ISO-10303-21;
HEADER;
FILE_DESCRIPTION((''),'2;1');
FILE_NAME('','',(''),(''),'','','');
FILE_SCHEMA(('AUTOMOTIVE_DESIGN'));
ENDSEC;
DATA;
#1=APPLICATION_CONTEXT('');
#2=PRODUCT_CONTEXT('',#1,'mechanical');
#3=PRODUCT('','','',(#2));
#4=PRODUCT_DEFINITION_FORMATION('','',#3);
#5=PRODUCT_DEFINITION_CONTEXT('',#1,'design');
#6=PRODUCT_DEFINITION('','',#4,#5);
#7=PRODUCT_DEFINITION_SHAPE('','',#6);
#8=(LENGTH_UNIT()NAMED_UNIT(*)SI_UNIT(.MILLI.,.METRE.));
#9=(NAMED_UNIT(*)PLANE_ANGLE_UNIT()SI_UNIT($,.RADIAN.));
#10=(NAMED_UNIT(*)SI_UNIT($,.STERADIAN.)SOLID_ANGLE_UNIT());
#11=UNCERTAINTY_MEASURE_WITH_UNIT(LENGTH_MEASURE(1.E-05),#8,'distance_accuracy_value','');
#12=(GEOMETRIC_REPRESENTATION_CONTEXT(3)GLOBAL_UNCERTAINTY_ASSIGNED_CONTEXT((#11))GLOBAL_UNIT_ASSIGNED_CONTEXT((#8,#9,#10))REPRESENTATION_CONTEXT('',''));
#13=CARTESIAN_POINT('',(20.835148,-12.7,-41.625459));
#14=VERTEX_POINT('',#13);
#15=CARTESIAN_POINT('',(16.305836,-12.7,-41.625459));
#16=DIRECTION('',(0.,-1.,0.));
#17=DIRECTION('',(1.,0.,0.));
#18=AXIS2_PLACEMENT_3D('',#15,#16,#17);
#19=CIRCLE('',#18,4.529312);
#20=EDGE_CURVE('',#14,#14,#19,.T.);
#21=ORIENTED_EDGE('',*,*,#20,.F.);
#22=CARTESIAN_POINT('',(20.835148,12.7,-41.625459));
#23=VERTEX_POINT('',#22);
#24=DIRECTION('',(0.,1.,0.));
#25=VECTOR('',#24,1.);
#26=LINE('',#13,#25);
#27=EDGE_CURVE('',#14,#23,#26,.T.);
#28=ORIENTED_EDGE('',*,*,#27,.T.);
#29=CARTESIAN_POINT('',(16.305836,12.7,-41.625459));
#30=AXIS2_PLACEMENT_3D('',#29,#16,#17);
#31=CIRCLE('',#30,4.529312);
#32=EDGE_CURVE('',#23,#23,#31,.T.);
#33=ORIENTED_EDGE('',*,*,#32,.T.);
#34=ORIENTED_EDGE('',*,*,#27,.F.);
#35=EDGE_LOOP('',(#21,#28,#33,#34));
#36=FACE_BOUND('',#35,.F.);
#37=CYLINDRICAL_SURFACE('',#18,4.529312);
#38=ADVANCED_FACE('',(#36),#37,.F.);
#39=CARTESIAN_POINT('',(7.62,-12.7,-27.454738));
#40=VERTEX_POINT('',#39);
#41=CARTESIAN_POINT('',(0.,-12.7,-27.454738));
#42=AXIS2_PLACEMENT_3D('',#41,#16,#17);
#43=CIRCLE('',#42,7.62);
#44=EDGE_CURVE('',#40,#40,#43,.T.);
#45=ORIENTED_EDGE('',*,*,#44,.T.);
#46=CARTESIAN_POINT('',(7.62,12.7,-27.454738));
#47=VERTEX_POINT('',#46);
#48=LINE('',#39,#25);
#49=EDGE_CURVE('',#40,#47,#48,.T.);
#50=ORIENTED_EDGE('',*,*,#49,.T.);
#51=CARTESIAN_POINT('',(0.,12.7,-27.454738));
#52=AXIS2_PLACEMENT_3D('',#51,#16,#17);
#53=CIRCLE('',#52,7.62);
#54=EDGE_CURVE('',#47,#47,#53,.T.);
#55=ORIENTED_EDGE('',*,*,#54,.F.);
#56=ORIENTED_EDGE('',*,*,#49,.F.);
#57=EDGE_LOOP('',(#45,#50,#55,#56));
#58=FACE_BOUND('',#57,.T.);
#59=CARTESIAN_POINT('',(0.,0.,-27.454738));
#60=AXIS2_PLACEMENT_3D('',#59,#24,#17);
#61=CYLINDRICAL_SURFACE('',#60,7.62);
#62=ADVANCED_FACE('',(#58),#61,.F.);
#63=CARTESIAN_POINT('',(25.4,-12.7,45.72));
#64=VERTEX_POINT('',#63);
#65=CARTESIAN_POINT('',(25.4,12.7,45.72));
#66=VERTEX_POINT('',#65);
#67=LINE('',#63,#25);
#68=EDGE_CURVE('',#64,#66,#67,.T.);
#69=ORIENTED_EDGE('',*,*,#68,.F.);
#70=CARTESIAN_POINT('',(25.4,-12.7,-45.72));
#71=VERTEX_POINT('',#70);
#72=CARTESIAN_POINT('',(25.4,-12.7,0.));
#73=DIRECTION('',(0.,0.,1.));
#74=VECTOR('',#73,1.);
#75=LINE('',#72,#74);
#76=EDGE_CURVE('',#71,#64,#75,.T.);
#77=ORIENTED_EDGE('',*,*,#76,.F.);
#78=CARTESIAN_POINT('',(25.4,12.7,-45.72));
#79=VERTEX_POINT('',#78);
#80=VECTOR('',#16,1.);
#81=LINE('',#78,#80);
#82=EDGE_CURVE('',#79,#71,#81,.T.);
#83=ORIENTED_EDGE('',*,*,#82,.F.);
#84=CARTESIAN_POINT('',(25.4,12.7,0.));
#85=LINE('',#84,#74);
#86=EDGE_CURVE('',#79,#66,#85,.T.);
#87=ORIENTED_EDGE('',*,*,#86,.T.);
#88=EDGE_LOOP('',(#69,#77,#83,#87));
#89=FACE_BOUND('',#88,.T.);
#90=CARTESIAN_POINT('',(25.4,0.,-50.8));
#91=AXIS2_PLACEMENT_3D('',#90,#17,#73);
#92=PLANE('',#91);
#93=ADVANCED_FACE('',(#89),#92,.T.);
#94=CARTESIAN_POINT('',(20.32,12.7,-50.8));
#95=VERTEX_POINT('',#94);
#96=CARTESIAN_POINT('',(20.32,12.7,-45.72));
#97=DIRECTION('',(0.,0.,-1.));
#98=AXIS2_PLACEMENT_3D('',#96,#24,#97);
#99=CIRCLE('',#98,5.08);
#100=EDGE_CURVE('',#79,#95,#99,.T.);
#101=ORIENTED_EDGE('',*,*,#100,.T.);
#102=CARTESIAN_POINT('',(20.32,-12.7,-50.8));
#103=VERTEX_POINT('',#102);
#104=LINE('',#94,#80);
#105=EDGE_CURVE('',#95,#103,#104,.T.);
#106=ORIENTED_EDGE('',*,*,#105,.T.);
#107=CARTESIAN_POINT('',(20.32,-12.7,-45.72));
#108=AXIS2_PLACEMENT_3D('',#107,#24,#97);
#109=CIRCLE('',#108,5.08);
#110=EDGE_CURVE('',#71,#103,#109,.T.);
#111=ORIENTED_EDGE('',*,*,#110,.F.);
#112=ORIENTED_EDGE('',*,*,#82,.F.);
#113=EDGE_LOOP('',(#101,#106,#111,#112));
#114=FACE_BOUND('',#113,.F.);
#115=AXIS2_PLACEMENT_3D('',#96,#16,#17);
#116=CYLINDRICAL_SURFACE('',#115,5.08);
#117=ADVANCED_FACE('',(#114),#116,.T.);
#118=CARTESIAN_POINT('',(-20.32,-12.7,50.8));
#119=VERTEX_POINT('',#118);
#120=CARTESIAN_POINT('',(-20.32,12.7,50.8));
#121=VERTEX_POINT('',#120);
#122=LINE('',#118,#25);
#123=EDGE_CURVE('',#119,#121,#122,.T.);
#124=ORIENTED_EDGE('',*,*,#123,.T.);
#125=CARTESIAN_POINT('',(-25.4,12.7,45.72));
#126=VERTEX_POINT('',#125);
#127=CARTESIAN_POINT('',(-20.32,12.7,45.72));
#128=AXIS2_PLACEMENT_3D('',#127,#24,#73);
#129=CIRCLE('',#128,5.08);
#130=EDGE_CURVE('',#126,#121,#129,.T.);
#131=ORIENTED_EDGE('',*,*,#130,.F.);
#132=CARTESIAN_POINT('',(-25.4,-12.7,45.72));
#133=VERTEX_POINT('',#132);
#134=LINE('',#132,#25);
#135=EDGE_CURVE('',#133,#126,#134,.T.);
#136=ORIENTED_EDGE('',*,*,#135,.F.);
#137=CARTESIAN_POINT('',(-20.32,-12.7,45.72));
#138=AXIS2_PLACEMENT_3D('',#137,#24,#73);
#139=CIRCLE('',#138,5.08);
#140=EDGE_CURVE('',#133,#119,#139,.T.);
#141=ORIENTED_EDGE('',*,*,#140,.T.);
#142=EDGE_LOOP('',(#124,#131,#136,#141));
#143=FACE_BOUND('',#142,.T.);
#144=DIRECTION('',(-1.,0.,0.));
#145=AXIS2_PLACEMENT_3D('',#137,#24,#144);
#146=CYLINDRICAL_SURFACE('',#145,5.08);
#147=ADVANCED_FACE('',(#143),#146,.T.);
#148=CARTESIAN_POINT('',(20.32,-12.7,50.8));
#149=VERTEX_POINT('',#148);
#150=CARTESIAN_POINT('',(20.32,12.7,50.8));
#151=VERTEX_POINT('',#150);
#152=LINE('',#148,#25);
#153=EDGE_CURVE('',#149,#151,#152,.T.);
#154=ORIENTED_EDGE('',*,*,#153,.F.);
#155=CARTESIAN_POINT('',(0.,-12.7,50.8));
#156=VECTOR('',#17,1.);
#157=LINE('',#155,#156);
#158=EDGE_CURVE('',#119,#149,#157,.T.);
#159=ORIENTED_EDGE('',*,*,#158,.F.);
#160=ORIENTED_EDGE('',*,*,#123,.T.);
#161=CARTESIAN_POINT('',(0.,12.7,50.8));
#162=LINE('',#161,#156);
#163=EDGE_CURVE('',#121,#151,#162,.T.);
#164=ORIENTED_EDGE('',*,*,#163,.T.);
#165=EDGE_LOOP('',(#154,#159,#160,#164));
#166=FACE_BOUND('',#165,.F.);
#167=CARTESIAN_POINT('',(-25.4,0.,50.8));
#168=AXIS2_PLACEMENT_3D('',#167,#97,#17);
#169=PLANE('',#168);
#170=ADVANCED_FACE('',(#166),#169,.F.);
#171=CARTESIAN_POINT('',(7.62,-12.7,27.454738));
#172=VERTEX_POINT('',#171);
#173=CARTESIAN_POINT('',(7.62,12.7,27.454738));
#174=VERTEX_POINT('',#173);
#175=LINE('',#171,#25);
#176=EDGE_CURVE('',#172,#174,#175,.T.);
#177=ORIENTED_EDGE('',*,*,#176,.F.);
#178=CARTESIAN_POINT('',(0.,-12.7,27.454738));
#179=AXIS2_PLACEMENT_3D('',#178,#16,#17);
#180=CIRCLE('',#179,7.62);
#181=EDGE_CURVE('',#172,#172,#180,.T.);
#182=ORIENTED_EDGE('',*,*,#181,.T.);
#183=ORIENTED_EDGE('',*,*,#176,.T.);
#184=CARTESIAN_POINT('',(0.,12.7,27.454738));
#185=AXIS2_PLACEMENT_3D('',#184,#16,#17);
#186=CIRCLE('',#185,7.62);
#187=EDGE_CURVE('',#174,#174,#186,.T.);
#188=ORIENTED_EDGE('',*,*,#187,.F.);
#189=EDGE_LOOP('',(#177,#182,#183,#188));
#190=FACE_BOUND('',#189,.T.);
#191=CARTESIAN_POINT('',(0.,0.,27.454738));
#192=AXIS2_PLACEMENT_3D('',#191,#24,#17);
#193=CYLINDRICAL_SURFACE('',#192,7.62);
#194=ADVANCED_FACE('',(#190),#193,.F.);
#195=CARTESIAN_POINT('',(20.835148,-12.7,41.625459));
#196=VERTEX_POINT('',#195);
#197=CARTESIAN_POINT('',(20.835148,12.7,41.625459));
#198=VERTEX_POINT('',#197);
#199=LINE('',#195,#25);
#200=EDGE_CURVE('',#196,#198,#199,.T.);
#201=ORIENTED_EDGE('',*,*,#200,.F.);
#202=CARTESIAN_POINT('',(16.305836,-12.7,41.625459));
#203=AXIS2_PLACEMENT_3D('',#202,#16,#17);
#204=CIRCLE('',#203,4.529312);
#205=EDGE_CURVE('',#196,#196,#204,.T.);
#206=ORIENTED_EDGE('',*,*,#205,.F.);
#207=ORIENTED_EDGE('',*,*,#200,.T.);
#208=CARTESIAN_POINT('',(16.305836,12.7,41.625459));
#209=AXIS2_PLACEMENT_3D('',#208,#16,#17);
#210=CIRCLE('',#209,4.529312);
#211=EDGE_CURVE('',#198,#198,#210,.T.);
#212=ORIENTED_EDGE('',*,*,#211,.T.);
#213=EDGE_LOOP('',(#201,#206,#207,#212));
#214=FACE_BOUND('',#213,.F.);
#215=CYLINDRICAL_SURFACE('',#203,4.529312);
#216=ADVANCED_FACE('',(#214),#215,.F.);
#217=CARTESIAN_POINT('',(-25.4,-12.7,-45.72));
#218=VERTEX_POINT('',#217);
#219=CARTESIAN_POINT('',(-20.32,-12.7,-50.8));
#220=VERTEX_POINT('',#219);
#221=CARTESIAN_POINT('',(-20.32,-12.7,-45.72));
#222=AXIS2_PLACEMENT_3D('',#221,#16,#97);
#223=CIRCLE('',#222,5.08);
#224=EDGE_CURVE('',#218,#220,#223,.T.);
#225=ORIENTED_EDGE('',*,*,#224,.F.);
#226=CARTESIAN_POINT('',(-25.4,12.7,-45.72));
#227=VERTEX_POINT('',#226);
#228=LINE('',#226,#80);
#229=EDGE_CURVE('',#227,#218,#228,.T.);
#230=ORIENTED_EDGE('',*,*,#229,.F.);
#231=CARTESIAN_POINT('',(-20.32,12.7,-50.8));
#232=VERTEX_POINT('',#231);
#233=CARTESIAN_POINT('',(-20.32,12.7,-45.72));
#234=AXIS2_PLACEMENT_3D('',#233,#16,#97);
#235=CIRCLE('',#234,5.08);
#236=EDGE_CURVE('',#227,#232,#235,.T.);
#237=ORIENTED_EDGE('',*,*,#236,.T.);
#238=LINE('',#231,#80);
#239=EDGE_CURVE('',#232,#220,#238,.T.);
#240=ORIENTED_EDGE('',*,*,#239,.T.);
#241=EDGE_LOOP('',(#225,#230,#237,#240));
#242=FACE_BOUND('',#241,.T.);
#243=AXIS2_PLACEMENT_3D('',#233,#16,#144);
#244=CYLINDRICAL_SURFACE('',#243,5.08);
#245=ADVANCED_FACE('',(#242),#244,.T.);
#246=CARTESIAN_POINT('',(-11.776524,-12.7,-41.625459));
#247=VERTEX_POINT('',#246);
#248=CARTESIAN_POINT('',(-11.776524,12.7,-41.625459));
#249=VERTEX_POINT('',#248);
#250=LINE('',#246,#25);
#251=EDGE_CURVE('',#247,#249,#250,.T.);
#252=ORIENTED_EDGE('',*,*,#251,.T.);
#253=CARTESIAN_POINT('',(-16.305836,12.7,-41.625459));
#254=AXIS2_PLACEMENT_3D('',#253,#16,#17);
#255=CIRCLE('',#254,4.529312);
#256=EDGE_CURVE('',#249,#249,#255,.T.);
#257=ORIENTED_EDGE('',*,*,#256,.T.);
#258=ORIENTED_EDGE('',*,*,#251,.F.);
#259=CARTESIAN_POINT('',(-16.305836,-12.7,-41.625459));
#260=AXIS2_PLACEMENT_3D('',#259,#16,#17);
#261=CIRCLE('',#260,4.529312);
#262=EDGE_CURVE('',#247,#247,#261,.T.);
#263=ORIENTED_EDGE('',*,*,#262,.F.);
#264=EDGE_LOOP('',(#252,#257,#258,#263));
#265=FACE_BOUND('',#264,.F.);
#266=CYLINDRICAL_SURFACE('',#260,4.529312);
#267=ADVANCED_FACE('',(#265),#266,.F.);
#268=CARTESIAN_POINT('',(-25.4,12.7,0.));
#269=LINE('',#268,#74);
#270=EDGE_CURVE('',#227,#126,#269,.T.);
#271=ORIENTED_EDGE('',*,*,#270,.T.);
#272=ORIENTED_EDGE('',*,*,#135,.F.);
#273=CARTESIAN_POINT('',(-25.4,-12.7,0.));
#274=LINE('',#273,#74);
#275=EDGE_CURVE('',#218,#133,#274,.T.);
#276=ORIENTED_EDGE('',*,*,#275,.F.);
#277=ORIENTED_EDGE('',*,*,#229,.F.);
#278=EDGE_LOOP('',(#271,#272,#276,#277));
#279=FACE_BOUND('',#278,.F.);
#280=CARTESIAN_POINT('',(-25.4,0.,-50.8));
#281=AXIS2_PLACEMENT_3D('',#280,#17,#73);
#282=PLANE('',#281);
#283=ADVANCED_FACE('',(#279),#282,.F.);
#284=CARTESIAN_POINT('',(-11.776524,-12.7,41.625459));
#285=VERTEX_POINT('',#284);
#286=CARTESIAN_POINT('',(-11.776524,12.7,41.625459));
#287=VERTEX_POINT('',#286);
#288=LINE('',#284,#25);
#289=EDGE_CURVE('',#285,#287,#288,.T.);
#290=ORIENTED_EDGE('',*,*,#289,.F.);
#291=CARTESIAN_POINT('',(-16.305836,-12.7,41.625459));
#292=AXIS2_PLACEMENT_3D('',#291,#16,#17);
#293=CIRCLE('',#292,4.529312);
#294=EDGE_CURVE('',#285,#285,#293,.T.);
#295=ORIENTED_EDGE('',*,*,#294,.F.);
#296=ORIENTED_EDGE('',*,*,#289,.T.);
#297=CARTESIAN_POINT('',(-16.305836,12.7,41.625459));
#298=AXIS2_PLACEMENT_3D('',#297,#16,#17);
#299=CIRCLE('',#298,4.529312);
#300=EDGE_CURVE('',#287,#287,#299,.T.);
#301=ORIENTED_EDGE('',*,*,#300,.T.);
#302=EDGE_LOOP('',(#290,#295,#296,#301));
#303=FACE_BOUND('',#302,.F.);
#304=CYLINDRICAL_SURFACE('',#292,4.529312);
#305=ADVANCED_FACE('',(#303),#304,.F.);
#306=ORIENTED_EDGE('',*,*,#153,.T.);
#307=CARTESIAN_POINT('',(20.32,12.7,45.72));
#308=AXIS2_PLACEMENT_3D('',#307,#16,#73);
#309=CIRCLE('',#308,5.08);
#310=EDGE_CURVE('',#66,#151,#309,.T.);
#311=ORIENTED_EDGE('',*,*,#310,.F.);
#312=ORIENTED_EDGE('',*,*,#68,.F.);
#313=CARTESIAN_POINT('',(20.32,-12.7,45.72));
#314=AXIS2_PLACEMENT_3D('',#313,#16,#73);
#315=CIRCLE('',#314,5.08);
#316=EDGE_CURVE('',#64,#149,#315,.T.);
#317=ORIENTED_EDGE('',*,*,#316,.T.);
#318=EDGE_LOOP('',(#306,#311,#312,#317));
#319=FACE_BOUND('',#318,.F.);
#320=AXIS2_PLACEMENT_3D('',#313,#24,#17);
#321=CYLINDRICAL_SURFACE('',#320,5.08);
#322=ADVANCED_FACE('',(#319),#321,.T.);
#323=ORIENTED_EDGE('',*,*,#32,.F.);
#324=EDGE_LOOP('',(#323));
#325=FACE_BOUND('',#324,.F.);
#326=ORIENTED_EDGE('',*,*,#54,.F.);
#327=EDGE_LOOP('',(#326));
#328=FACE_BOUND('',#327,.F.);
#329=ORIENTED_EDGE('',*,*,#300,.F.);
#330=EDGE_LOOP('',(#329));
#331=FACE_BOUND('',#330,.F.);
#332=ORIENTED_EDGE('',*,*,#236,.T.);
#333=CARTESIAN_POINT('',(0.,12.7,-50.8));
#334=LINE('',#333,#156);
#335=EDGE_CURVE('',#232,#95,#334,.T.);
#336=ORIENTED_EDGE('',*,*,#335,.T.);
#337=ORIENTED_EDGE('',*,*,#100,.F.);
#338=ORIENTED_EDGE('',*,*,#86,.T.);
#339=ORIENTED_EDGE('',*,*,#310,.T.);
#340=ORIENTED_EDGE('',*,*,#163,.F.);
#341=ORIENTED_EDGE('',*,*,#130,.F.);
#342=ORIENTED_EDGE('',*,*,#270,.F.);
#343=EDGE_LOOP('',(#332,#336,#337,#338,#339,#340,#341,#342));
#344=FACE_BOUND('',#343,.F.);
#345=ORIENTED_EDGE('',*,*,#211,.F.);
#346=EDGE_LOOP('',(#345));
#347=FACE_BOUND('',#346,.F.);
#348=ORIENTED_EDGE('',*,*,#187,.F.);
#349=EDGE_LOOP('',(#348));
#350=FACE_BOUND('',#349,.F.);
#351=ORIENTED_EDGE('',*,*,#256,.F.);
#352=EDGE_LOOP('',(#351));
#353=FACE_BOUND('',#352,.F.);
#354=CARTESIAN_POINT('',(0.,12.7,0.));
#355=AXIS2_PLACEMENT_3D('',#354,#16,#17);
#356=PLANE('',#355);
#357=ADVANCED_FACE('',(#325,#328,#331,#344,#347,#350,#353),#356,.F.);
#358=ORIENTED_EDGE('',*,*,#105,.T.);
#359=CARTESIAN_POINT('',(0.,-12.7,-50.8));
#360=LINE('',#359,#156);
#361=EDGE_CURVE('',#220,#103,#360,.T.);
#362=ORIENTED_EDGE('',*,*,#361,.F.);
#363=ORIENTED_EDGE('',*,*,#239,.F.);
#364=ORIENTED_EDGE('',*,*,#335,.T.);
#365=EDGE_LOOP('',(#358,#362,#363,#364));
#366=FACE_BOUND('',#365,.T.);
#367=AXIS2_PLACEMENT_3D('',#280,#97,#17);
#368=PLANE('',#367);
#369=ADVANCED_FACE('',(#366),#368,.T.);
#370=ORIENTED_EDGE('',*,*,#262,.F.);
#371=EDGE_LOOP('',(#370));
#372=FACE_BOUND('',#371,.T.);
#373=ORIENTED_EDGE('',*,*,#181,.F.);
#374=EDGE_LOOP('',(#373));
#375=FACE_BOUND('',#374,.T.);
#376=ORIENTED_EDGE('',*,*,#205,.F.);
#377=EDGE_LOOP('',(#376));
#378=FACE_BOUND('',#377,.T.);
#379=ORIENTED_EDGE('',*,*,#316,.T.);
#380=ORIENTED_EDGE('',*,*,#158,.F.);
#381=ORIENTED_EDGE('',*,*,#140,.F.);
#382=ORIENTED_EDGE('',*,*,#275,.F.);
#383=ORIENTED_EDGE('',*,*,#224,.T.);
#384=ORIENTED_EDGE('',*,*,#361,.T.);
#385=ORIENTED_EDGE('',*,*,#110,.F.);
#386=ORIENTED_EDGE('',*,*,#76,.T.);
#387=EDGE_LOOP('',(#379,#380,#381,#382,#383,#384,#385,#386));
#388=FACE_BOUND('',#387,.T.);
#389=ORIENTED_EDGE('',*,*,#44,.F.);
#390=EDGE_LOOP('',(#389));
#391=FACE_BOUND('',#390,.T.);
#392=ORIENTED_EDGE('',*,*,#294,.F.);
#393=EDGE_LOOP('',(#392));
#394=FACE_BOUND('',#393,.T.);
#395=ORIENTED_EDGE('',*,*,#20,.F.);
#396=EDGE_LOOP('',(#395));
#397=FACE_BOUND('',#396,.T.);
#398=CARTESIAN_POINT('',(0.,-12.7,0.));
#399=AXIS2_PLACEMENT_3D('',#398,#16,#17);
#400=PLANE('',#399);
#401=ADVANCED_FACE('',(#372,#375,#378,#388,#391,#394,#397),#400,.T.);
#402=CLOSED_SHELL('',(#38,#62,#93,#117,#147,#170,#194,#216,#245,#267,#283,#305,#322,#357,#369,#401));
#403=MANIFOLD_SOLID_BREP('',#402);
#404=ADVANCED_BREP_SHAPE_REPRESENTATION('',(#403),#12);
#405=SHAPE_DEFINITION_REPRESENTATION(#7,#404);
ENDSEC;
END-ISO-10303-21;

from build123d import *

# Parameters (mm, degrees)
F0_W     = 50.8
F0_H     = 101.6
F0_R     = 7.62
F1_DEPTH = 12.7
F2_R     = 5.08
F3_R     = 4.529312
F4_DEPTH = 25.4


with BuildPart() as f1:
    # F0 (on Front) → F1 (new body, symmetric)
    with BuildSketch(Plane.XZ):
        Rectangle(F0_W, F0_H)
        with Locations((0, -27.454738)):
            Circle(F0_R, mode=Mode.SUBTRACT)
        with Locations((0, 27.454738)):
            Circle(F0_R, mode=Mode.SUBTRACT)
    extrude(amount=F1_DEPTH, both=True)

    # F2
    f2_edges = [f1.edges().sort_by_distance(p)[0] for p in [
        (25.4, 0, 50.8),
        (-25.4, 0, 50.8),
        (-25.4, 0, -50.8),
        (25.4, 0, -50.8),
    ]]
    fillet(f2_edges, radius=F2_R)

    # F3 (on face) → F4 (cut, through all)
    with BuildSketch(Plane.XZ.offset(12.7)):
        with Locations((-16.305836, 41.625459)):
            Circle(F3_R)
        with Locations((16.305836, 41.625459)):
            Circle(F3_R)
        with Locations((-16.305836, -41.625459)):
            Circle(F3_R)
        with Locations((16.305836, -41.625459)):
            Circle(F3_R)
    extrude(amount=-F4_DEPTH, mode=Mode.SUBTRACT)


solid = f1.part
